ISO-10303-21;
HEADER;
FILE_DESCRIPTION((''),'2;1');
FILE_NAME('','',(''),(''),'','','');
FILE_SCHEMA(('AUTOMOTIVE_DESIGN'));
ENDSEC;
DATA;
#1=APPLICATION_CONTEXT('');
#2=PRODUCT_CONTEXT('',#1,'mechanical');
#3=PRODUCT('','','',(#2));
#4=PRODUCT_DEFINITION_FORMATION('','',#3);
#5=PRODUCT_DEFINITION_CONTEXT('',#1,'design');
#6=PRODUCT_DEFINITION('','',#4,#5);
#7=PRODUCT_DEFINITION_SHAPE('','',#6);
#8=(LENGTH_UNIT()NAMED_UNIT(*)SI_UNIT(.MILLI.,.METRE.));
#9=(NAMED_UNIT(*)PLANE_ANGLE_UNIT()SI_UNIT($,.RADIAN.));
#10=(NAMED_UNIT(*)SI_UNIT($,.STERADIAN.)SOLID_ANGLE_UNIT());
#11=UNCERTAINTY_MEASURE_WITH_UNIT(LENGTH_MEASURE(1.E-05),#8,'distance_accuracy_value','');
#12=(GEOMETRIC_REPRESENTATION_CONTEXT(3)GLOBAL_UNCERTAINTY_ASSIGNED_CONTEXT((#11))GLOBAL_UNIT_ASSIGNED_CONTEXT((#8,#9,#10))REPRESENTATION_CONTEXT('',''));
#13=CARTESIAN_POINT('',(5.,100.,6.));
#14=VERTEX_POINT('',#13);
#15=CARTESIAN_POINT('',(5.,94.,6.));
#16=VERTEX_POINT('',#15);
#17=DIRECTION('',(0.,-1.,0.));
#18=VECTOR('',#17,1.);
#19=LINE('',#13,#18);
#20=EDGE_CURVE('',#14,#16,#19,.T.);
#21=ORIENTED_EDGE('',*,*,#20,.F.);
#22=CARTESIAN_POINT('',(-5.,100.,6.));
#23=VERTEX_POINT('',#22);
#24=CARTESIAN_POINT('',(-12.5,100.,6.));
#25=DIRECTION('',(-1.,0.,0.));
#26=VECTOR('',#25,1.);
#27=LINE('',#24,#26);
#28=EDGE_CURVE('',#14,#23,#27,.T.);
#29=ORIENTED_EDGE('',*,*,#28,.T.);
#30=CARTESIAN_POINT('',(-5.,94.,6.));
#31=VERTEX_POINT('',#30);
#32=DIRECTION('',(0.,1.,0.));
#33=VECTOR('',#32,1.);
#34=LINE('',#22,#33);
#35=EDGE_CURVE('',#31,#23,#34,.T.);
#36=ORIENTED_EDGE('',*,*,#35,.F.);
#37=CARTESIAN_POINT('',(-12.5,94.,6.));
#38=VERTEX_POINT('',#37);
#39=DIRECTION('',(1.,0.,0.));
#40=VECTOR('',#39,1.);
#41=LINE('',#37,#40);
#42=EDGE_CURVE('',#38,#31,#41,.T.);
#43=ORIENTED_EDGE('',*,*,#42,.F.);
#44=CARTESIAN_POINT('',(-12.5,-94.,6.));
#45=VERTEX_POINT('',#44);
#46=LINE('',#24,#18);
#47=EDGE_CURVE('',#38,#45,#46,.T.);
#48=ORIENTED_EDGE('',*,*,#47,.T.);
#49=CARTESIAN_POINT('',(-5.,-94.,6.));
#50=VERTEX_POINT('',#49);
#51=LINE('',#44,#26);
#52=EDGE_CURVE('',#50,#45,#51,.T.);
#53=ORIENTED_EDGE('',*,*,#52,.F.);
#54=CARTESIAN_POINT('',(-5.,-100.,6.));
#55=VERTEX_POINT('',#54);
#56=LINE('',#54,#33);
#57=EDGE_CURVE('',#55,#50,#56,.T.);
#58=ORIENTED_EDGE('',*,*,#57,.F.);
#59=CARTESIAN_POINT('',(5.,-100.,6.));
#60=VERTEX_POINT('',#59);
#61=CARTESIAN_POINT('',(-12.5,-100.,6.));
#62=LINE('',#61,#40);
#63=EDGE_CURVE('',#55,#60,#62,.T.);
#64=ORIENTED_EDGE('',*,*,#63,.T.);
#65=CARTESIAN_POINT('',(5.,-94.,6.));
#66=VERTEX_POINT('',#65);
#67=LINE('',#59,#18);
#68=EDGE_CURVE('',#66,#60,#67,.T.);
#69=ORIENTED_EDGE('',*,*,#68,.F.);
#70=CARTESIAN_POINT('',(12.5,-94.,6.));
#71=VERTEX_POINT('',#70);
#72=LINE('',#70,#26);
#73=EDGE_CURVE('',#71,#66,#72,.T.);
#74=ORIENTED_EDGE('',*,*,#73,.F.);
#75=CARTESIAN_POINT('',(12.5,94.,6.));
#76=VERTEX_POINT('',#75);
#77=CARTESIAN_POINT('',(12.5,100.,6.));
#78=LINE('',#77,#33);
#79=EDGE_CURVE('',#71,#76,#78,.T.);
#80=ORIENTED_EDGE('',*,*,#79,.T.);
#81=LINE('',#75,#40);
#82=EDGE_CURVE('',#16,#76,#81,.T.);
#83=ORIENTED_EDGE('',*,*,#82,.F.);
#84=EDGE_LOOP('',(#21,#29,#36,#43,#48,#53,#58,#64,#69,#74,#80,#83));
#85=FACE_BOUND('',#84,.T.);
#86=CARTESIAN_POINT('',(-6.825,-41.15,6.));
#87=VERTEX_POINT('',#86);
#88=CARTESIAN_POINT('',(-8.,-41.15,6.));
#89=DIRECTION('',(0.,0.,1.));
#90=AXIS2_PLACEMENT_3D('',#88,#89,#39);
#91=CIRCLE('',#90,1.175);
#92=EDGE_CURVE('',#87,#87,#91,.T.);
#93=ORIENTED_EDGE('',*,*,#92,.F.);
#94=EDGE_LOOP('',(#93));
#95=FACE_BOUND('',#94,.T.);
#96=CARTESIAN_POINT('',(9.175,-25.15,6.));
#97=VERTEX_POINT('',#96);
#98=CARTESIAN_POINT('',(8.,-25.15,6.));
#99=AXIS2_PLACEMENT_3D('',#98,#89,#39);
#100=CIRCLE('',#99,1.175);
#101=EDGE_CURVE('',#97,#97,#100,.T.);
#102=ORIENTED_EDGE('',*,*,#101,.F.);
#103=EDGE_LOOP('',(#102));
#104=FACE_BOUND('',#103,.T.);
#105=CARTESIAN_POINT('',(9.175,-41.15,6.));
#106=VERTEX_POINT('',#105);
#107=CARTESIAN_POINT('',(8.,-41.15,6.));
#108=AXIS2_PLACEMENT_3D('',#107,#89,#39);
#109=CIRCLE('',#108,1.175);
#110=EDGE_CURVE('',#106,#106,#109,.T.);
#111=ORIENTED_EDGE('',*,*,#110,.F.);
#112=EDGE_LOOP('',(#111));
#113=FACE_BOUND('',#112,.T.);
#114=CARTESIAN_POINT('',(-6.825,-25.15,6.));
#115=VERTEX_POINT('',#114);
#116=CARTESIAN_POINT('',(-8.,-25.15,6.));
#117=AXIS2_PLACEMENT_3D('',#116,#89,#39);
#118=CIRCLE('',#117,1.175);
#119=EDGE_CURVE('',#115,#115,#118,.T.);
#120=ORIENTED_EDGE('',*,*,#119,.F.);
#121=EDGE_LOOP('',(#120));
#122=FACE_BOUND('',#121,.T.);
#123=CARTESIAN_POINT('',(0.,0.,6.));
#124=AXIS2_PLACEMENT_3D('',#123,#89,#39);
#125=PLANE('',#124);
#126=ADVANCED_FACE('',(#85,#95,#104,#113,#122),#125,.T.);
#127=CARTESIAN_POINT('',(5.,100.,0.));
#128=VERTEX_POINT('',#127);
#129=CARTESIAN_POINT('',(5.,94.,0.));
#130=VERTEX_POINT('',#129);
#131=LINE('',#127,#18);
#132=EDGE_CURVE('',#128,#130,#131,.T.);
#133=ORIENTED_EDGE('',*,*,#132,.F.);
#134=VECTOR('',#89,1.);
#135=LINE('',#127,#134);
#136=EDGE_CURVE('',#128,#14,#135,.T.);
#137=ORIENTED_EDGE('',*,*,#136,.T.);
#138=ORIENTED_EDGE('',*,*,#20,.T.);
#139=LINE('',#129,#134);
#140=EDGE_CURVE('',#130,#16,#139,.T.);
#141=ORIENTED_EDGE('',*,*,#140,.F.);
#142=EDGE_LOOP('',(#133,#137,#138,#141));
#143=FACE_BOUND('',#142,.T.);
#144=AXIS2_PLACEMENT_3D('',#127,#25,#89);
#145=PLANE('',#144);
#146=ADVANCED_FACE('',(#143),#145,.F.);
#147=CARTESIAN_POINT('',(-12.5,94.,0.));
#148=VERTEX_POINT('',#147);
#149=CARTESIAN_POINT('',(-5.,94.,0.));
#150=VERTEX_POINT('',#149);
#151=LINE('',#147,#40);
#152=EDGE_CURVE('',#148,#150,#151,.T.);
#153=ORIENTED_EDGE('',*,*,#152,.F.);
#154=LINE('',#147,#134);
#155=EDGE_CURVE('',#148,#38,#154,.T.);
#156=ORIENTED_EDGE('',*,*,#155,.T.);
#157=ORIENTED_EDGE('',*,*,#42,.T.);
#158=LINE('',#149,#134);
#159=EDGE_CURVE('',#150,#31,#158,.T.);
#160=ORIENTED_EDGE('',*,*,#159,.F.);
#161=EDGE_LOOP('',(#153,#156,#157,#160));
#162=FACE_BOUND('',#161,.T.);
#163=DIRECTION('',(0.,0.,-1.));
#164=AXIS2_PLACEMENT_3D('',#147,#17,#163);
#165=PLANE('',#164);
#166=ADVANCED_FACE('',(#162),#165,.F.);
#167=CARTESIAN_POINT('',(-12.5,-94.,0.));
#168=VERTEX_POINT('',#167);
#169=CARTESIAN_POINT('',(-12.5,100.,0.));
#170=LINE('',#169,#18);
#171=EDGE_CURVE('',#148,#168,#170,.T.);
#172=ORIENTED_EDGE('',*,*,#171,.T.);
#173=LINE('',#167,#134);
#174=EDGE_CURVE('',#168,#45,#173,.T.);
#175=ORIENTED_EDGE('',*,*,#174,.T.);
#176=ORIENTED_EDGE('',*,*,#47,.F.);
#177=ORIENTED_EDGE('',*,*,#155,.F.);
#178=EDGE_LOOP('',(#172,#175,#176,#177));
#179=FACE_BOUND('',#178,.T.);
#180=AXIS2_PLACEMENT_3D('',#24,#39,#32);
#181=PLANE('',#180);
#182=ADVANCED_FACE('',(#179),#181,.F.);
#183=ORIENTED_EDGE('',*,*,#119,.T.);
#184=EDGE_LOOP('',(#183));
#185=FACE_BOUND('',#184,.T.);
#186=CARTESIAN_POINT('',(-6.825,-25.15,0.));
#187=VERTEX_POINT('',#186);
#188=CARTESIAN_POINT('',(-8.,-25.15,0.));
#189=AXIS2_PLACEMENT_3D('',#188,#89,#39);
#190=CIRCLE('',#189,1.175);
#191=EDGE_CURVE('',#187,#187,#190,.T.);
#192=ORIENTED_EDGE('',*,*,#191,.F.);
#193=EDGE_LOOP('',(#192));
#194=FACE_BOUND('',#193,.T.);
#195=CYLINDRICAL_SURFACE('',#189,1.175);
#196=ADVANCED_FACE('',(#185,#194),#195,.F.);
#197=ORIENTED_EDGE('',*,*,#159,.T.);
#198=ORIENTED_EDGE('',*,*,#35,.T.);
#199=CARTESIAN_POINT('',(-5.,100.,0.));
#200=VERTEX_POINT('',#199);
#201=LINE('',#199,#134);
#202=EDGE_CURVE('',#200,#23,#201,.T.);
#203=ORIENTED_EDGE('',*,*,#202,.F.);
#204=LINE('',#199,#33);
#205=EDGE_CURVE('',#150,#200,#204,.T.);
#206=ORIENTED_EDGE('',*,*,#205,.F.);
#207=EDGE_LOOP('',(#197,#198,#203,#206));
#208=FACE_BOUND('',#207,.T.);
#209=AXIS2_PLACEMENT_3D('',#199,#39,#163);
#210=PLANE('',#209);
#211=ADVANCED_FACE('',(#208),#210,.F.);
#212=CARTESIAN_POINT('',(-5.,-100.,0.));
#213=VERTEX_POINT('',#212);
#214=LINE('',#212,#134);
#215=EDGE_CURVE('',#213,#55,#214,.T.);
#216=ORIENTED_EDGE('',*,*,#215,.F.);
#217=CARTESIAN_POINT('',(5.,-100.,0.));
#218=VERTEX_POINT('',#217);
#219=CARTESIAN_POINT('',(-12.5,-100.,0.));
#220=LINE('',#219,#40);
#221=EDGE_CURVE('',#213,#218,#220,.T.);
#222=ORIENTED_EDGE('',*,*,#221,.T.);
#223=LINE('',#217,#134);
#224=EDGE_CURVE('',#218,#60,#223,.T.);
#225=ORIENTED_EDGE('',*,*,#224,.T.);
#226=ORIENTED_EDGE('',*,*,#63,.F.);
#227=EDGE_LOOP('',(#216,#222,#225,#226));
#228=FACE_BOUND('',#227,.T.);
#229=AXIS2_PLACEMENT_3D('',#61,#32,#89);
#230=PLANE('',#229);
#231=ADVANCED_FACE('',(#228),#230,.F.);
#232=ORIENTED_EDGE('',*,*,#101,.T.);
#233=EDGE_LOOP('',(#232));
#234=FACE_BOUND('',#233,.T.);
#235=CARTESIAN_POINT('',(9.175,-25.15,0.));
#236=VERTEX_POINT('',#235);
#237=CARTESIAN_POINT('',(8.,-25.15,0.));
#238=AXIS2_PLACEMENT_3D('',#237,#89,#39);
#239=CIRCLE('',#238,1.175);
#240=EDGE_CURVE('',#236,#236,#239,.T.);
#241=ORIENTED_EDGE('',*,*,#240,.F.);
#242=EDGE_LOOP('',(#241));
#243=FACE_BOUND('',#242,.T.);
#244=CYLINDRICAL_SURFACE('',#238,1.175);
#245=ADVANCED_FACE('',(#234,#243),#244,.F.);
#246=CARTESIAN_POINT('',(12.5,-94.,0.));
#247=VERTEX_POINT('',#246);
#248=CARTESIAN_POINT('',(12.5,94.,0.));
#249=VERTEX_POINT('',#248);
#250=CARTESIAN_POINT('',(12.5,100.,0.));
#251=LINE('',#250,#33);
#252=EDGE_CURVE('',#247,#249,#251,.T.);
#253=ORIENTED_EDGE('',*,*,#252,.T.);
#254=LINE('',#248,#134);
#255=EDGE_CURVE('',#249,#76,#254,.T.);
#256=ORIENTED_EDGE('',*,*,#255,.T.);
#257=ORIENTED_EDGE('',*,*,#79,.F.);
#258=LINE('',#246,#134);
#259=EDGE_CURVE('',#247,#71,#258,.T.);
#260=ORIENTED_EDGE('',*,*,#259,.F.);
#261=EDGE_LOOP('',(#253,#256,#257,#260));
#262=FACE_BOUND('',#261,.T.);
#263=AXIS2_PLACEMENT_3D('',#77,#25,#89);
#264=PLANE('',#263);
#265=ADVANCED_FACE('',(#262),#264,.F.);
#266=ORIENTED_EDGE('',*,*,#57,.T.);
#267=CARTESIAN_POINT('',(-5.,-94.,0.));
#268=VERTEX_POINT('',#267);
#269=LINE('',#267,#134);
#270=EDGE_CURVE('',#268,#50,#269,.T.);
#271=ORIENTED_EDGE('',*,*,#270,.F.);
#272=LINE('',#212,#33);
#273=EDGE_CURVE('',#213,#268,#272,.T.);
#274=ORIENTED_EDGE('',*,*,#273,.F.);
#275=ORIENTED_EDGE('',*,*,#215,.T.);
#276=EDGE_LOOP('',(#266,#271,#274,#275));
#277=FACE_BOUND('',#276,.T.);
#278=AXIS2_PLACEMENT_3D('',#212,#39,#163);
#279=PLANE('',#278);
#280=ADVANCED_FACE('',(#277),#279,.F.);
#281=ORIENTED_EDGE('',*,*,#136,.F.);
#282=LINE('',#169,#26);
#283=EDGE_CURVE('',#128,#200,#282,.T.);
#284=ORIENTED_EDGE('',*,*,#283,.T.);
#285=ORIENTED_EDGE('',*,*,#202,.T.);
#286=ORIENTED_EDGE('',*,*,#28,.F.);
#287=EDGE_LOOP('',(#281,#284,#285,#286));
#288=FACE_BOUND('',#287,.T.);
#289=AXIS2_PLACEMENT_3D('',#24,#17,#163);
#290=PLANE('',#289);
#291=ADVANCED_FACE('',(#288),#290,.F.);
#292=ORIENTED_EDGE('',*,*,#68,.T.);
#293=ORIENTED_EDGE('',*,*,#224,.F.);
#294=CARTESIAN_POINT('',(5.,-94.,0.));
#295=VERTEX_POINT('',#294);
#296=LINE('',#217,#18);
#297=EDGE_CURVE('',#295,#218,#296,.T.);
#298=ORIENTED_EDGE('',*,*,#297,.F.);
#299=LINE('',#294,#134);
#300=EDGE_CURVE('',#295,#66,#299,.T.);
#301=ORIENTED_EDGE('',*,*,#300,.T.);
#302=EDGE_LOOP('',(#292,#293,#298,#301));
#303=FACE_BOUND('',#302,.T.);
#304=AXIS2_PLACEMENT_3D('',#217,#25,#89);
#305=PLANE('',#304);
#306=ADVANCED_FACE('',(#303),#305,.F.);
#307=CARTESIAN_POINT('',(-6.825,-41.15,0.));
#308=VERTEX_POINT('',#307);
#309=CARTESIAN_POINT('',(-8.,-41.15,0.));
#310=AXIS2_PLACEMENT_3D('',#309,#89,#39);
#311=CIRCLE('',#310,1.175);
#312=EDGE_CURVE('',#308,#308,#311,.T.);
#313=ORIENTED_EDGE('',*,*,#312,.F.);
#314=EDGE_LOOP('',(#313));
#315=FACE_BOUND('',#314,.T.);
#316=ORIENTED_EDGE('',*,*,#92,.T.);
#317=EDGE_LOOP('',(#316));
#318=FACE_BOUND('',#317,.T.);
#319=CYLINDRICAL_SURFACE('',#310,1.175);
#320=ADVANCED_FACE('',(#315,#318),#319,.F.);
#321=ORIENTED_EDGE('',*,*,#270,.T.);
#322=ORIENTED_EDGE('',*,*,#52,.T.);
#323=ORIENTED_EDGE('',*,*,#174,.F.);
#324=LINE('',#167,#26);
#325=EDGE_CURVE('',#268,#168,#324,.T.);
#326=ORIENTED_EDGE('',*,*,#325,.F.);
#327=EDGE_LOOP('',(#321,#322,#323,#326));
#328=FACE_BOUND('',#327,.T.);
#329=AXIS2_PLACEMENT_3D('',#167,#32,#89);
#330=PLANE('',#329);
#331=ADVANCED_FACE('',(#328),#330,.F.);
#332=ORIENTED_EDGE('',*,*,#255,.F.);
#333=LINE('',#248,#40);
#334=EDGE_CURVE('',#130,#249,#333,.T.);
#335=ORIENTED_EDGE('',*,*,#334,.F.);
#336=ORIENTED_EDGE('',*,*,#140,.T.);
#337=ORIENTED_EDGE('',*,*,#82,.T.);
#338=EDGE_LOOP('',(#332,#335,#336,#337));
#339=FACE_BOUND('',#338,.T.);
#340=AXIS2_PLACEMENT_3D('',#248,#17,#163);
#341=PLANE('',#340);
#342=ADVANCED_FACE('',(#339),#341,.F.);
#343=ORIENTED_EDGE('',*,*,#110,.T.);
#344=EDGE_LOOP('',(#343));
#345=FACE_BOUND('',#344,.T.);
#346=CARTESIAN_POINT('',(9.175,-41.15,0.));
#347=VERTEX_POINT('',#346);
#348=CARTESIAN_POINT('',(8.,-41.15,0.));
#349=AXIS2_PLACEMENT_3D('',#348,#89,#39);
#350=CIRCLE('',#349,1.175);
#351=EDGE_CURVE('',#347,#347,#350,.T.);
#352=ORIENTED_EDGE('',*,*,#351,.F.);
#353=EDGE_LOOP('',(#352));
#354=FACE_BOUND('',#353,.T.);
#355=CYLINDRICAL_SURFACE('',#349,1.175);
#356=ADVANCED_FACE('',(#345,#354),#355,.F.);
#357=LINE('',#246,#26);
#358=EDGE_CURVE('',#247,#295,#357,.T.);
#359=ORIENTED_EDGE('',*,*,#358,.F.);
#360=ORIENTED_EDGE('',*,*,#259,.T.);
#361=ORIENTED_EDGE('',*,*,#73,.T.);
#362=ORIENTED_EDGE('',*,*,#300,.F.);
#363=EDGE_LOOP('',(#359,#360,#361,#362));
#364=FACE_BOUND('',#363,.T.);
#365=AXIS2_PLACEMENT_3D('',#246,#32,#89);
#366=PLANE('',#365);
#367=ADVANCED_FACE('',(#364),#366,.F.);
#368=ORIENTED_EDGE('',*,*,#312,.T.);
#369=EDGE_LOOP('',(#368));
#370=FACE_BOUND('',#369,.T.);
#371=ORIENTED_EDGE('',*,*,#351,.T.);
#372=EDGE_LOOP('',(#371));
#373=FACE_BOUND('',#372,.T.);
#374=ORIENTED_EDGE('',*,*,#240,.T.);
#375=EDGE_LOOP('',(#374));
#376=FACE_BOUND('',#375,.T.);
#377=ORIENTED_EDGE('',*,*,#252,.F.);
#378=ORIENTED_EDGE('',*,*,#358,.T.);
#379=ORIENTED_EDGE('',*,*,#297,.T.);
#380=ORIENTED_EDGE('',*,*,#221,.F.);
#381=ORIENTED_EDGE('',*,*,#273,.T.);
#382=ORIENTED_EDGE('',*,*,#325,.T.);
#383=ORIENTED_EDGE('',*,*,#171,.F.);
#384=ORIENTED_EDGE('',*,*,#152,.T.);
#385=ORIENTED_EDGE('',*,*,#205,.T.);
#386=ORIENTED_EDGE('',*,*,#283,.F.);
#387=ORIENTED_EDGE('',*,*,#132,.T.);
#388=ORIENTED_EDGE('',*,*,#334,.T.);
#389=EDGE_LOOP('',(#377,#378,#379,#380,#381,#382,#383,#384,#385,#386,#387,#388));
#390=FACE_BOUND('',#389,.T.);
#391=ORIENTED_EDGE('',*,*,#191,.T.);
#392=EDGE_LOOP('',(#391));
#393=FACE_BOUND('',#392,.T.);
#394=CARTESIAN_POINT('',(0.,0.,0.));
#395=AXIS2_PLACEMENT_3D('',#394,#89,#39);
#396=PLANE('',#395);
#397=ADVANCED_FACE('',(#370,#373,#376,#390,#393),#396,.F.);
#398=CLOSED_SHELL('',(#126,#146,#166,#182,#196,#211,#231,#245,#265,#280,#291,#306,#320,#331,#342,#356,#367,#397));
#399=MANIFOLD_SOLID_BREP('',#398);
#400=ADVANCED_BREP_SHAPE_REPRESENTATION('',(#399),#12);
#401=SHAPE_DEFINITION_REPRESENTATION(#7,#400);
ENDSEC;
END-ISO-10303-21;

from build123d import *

# Parameters (mm, degrees)
ESQUISSE1_W             = 25
ESQUISSE1_H             = 200
BOSS_EXTRU_1_DEPTH      = 6
ESQUISSE2_R             = 1.175
ENL_V_MAT_EXTRU_1_DEPTH = 6
ESQUISSE3_W             = 7.5
ESQUISSE3_H             = 6
ENL_V_MAT_EXTRU_2_DEPTH = 6


with BuildPart() as part:
    # Esquisse1 → Boss.-Extru.1 (new body)
    with BuildSketch(Plane.XY):
        Rectangle(ESQUISSE1_W, ESQUISSE1_H)
    extrude(amount=BOSS_EXTRU_1_DEPTH)

    # Esquisse2 → Enlèv. mat.-Extru.1 (cut)
    with BuildSketch(Plane.XY.offset(6)):
        with Locations((8, -41.15)):
            Circle(ESQUISSE2_R)
        with Locations((-8, -41.15)):
            Circle(ESQUISSE2_R)
        with Locations((-8, -25.15)):
            Circle(ESQUISSE2_R)
        with Locations((8, -25.15)):
            Circle(ESQUISSE2_R)
    extrude(amount=-ENL_V_MAT_EXTRU_1_DEPTH, mode=Mode.SUBTRACT)

    # Esquisse3 → Enlèv. mat.-Extru.2 (cut)
    with BuildSketch(Plane.XY.offset(6)):
        with Locations((-8.75, -97)):
            Rectangle(ESQUISSE3_W, ESQUISSE3_H)
        with Locations((8.75, -97)):
            Rectangle(ESQUISSE3_W, ESQUISSE3_H)
        with Locations((8.75, 97)):
            Rectangle(ESQUISSE3_W, ESQUISSE3_H)
        with Locations((-8.75, 97)):
            Rectangle(ESQUISSE3_W, ESQUISSE3_H)
    extrude(amount=-ENL_V_MAT_EXTRU_2_DEPTH, mode=Mode.SUBTRACT)


solid = part.part
